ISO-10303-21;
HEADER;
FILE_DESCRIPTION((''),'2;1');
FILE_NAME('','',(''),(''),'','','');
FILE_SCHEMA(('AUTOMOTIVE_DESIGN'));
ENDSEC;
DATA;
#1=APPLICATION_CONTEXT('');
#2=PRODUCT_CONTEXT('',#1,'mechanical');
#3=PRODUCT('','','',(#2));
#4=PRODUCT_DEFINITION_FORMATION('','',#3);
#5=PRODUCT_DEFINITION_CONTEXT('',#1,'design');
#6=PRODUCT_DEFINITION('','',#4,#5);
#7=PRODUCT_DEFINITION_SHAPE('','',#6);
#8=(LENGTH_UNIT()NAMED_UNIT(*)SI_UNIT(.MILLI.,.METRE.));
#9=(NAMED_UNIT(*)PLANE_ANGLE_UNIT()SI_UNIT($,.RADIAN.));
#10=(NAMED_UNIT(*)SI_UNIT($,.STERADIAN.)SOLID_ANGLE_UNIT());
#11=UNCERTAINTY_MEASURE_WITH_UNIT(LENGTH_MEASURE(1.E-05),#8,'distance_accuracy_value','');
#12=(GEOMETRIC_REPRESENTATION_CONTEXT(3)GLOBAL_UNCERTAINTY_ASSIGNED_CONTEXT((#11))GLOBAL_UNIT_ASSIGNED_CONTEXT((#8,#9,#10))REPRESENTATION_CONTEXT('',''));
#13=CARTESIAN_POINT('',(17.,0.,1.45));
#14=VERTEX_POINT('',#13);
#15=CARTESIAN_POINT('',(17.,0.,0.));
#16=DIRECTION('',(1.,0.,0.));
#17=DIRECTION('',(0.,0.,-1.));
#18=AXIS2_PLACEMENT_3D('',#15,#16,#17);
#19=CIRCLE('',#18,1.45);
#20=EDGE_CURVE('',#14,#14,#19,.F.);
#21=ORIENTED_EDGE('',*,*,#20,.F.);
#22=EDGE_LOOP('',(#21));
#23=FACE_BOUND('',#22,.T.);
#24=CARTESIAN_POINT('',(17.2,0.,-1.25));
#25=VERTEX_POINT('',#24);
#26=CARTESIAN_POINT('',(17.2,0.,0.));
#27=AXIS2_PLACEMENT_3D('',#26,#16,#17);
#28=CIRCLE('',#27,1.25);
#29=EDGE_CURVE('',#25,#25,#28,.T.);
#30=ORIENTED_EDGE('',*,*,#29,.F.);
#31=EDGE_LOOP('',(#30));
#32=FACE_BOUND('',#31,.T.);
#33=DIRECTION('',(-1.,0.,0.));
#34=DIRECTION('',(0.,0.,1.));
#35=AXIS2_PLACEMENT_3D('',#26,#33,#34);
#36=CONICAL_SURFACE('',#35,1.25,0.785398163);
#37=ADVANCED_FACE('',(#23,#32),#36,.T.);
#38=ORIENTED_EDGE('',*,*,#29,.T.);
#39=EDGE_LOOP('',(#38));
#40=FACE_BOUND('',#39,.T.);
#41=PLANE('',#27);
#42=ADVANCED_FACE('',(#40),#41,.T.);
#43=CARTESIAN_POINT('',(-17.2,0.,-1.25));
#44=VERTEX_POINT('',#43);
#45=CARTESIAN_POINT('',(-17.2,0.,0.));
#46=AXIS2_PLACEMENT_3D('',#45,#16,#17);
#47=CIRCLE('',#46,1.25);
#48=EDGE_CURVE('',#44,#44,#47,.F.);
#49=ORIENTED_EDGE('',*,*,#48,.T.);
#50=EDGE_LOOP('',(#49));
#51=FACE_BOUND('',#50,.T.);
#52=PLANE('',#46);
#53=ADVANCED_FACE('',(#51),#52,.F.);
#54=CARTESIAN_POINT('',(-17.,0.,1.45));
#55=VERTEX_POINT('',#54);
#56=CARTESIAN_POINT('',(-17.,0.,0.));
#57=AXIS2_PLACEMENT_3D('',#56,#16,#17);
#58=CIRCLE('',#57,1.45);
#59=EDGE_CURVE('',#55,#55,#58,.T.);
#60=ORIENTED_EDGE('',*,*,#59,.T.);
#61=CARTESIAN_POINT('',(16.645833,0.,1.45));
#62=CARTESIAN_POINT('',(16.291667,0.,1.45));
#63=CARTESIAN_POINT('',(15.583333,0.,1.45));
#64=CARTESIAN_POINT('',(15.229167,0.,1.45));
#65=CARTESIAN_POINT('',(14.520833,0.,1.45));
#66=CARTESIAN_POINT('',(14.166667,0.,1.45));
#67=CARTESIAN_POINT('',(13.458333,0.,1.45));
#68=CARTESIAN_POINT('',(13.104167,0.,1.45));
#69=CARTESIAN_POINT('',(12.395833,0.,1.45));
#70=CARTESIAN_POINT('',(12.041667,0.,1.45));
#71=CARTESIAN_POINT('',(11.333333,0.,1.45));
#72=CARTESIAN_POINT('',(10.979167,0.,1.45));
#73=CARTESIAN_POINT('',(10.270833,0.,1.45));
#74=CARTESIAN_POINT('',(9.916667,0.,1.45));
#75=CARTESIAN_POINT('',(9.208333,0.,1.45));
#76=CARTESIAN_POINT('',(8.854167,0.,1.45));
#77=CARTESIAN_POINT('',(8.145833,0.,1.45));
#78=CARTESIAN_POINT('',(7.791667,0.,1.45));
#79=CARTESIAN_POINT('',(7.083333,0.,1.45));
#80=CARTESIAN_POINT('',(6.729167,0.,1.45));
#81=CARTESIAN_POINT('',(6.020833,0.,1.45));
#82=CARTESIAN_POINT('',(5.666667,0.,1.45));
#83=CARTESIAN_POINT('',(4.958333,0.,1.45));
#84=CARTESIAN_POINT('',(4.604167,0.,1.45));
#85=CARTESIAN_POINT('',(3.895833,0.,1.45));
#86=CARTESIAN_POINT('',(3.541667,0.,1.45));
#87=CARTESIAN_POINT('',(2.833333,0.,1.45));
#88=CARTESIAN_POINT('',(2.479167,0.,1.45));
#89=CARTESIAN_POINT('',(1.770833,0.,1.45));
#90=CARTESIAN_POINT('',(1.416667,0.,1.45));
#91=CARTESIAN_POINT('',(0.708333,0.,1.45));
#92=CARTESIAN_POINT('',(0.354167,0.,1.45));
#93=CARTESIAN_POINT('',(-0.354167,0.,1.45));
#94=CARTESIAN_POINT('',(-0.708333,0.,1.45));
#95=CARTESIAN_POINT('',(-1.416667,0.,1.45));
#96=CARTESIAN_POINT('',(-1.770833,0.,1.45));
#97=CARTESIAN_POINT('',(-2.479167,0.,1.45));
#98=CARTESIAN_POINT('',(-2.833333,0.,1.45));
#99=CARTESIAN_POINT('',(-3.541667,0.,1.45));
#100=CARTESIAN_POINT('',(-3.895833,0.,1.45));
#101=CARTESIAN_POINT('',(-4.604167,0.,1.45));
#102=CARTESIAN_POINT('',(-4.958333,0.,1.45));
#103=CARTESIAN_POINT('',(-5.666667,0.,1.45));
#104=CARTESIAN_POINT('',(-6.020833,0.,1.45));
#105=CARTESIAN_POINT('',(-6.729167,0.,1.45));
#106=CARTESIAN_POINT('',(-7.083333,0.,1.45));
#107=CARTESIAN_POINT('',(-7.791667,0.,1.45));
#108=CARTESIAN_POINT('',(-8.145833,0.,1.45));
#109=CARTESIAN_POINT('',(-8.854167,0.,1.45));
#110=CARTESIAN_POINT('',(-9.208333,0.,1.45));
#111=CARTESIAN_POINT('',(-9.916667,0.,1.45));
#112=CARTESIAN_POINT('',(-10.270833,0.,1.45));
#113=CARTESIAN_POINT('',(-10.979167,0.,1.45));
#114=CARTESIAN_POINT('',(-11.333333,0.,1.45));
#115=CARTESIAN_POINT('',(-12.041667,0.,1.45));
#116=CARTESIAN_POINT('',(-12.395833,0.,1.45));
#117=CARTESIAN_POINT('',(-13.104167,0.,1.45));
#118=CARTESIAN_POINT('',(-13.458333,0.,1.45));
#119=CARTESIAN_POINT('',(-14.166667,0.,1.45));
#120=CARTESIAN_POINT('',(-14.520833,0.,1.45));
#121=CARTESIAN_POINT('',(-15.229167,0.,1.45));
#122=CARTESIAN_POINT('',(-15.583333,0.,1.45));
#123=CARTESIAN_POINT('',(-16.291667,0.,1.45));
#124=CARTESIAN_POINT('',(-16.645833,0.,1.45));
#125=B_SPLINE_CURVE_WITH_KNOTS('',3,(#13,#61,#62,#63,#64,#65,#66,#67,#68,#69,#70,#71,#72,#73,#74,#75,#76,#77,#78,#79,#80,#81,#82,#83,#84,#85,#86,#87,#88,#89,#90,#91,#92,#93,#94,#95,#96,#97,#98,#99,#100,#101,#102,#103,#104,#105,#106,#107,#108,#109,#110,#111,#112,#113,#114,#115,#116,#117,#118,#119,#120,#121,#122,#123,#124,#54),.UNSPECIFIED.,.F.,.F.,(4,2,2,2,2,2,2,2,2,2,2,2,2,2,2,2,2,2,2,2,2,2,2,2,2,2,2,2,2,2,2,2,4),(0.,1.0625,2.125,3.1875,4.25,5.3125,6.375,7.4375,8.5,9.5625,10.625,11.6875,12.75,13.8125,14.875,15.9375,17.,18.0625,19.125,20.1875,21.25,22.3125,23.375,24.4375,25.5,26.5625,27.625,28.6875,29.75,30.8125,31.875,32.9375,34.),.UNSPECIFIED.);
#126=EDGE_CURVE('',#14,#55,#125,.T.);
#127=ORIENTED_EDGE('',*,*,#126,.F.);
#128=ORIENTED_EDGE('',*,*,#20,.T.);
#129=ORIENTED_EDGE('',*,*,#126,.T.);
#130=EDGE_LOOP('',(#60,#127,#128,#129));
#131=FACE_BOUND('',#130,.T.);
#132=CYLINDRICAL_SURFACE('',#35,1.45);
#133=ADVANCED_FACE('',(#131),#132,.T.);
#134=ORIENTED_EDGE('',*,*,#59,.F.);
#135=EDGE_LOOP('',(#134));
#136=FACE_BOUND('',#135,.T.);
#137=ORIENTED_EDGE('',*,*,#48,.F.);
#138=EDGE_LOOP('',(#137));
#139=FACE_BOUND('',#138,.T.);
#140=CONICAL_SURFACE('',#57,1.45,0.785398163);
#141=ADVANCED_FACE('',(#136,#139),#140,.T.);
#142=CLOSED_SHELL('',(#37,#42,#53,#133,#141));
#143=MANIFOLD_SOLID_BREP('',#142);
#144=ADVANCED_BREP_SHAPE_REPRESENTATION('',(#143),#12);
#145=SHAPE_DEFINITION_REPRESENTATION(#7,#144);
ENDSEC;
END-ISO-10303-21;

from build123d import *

# Parameters (mm, degrees)
ESQUISSE1_R        = 1.45
BOSS_EXTRU_1_DEPTH = 17.2
CHANFREIN1_SIZE    = 0.2


with BuildPart() as part:
    # Esquisse1 → Boss.-Extru.1 (new, symmetric)
    with BuildSketch(Plane(origin=(0, 0, 0), x_dir=(0, 0, -1), z_dir=(1, 0, 0))):
        with Locations(Location((0, 0, 0), (0, 0, 180))):
            Circle(ESQUISSE1_R)
    extrude(amount=BOSS_EXTRU_1_DEPTH, both=True)

    # Chanfrein1
    chanfrein1_edges = [part.edges().sort_by_distance(p)[0] for p in [
        (-17.2, 0, -1.45),
        (17.2, 0, -1.45),
    ]]
    chamfer(chanfrein1_edges, length=CHANFREIN1_SIZE)


solid = part.part
